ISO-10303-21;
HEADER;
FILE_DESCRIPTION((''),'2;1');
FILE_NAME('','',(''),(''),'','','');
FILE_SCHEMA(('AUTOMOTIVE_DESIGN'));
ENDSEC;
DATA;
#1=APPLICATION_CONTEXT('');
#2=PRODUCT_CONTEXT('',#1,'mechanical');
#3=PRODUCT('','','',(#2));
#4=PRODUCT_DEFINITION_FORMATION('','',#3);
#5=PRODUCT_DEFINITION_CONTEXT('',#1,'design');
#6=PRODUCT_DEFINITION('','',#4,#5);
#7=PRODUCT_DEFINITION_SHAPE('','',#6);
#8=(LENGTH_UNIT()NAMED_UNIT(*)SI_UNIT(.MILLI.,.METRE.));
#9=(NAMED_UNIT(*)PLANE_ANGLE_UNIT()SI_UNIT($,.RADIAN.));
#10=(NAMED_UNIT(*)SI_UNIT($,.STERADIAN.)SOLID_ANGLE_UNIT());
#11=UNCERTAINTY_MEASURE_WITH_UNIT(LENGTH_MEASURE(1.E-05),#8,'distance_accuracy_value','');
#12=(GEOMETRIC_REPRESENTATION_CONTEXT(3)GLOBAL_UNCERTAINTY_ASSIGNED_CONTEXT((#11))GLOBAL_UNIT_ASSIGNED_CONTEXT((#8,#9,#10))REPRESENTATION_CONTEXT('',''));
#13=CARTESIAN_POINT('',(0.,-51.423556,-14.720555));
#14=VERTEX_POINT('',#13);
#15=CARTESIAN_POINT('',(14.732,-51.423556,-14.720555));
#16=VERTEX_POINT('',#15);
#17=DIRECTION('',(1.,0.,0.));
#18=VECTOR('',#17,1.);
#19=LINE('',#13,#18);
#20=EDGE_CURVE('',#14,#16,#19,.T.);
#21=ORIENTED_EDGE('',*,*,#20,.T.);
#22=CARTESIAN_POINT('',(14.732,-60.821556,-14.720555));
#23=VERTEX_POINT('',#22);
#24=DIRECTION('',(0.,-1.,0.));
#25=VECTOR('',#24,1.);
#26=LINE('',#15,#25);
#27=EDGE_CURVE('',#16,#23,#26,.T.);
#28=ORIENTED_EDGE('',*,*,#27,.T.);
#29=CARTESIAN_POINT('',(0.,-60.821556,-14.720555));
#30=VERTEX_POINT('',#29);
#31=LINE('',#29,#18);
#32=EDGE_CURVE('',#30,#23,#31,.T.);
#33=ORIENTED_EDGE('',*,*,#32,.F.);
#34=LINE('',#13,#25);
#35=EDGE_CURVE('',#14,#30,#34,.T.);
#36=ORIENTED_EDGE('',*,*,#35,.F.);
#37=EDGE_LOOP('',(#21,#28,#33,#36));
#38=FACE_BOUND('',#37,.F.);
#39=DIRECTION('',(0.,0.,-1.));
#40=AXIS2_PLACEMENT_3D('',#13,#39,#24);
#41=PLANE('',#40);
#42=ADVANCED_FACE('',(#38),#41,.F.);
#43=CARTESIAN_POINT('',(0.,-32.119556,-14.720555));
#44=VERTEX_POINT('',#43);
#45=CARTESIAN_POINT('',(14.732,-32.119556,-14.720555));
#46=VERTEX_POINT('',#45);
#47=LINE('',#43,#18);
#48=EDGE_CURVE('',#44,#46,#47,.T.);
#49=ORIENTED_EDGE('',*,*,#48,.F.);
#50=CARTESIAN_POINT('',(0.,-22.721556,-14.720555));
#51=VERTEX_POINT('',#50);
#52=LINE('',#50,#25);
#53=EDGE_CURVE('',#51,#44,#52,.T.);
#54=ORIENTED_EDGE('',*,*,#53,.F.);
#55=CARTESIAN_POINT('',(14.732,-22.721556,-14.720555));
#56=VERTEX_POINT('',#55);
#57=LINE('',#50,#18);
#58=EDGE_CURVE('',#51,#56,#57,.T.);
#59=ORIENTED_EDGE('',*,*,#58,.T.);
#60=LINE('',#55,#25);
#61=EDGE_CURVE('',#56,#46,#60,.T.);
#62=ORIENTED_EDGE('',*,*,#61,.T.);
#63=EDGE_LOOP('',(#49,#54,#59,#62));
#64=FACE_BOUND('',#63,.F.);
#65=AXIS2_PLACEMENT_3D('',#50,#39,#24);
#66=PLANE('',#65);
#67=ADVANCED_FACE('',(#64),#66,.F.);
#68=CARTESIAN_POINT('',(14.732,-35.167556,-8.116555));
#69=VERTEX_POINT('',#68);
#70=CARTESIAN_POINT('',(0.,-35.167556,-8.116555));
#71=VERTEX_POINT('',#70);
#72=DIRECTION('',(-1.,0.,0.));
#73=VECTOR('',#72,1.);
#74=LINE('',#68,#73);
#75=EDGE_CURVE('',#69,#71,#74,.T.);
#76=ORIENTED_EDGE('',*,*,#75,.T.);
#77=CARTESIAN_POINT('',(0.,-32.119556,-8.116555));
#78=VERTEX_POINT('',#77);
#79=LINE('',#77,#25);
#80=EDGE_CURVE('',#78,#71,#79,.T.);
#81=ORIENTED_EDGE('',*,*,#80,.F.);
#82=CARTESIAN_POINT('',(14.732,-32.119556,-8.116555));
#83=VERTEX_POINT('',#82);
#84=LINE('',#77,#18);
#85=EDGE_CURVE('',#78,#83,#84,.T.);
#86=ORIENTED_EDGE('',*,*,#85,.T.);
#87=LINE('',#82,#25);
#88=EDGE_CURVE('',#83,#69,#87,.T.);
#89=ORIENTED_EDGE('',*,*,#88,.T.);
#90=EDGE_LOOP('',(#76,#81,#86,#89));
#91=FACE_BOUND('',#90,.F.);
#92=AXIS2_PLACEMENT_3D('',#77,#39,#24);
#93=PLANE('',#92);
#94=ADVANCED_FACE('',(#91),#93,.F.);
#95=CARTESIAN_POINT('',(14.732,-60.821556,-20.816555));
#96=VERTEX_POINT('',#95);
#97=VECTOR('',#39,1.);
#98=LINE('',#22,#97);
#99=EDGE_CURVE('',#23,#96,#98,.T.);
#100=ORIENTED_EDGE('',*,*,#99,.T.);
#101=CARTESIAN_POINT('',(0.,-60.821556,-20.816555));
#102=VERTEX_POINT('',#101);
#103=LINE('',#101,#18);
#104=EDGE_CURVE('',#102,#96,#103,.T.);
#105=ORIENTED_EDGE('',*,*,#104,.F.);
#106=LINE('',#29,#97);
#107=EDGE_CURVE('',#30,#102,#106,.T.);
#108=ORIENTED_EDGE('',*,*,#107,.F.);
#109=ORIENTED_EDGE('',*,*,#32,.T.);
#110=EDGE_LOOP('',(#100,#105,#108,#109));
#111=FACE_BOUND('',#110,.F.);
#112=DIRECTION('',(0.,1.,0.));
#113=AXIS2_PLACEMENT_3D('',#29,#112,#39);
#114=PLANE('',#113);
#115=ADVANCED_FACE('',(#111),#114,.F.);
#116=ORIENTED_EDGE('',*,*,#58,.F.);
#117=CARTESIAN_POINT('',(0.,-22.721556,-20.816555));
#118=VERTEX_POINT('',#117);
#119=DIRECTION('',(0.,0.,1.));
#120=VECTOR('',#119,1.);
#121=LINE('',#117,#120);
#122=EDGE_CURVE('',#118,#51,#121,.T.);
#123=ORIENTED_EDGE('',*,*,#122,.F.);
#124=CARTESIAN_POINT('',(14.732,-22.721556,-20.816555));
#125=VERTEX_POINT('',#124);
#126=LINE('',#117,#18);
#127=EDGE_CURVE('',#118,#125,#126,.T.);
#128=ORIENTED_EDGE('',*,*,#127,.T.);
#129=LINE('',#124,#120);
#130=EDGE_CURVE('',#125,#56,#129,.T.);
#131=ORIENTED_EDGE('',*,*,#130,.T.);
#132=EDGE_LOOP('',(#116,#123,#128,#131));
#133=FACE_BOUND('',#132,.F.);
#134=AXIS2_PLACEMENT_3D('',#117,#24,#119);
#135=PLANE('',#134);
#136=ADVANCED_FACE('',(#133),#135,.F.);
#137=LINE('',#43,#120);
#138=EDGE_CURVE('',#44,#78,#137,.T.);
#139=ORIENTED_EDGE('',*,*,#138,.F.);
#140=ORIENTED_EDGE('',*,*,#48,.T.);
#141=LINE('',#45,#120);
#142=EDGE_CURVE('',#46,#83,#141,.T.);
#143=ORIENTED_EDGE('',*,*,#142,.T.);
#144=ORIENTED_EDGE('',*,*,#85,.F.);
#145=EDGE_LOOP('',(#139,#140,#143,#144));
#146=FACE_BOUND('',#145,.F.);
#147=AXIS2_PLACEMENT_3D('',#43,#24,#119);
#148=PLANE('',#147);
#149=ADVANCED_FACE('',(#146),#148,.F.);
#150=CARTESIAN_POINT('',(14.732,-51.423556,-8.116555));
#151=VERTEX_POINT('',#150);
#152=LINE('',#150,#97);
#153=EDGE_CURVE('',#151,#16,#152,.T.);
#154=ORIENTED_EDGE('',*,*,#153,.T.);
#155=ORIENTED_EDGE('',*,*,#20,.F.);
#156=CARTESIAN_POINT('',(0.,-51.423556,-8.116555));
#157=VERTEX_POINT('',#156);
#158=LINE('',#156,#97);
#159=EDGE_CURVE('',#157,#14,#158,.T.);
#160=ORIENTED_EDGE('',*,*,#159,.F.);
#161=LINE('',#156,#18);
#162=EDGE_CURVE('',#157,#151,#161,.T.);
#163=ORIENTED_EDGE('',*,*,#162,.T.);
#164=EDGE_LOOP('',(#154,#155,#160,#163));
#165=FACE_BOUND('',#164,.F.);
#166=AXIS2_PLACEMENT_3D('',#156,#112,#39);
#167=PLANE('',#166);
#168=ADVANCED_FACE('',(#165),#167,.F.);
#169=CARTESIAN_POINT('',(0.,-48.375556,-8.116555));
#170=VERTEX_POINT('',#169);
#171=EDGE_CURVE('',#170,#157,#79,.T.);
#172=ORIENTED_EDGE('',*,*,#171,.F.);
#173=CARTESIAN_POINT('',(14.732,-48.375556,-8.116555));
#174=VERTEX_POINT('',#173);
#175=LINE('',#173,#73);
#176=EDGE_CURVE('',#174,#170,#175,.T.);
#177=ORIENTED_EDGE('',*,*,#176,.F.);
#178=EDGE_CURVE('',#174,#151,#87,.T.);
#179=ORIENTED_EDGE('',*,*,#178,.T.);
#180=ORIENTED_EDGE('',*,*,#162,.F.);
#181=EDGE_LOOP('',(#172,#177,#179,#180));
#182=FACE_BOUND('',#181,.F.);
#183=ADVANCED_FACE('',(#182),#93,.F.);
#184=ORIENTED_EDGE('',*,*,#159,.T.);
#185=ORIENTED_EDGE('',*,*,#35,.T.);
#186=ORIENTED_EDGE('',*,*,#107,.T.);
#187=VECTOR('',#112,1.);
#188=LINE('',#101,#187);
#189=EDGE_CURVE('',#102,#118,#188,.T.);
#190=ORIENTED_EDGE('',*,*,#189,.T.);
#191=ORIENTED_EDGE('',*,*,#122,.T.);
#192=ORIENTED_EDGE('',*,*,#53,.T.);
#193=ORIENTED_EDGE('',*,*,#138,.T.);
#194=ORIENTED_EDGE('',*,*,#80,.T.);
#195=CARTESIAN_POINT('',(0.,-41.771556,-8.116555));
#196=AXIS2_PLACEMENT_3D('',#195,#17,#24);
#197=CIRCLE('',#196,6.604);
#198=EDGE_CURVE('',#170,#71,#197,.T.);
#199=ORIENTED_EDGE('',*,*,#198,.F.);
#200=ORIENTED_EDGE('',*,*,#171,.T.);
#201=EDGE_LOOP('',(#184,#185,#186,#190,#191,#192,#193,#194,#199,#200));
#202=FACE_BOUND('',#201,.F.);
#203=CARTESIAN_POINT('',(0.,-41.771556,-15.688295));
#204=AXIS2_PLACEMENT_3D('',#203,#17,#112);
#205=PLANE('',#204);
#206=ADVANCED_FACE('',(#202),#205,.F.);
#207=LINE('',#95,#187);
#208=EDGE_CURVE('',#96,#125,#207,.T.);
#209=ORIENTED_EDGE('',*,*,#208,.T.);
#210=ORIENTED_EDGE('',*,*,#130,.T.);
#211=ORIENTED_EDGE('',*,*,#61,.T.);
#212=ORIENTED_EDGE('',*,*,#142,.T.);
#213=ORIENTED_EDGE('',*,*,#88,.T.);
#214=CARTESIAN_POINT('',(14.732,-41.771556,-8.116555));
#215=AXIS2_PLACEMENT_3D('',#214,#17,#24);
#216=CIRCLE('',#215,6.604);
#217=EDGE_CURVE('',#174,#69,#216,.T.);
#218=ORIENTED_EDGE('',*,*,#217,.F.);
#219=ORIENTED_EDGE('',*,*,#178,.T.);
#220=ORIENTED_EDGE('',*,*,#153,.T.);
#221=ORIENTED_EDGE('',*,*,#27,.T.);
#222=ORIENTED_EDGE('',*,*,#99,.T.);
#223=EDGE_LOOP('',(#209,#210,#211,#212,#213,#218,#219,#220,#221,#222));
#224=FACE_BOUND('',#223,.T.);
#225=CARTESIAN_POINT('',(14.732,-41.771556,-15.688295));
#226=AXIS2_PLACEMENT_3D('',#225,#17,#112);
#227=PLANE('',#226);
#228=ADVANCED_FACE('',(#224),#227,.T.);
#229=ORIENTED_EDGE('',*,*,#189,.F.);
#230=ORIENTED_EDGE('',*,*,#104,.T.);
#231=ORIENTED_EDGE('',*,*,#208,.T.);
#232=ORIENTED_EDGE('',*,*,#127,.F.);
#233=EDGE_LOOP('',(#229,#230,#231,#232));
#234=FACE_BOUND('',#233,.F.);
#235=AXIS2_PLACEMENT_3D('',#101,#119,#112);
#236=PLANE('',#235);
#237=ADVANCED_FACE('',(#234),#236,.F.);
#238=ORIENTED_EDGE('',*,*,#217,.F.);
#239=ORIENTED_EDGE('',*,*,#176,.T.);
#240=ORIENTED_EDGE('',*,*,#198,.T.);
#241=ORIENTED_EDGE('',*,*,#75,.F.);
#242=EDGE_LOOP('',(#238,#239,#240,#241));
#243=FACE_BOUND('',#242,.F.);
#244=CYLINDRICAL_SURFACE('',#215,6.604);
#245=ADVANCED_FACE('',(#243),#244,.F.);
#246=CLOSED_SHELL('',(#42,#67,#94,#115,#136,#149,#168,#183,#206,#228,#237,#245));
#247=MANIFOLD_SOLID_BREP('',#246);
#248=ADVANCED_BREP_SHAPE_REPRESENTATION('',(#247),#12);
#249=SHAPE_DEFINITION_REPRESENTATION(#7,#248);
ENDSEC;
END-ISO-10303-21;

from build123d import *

# Parameters (mm, degrees)
F1_DEPTH = 14.732
F3_DEPTH = 14.732


with BuildPart() as f1:
    # F0 (on Right) → F1 (new body)
    with BuildSketch(Plane.YZ):
        Polygon((-60.821556, -14.720555), (-60.821556, -20.816555), (-22.721556, -20.816555), (-22.721556, -14.720555), (-32.119556, -14.720555), (-32.119556, -8.116555), (-51.423556, -8.116555), (-51.423556, -14.720555), align=None)
    extrude(amount=F1_DEPTH)

    # F2 (on face) → F3 (cut)
    with BuildSketch(Plane.YZ.offset(14.732)):
        with BuildLine():
            ThreePointArc((-48.375556, -8.116555), (-41.771556, -14.720555), (-35.167556, -8.116555))
            Line((-35.167556, -8.116555), (-48.375556, -8.116555))
        make_face()
    extrude(amount=-F3_DEPTH, mode=Mode.SUBTRACT)


solid = f1.part
